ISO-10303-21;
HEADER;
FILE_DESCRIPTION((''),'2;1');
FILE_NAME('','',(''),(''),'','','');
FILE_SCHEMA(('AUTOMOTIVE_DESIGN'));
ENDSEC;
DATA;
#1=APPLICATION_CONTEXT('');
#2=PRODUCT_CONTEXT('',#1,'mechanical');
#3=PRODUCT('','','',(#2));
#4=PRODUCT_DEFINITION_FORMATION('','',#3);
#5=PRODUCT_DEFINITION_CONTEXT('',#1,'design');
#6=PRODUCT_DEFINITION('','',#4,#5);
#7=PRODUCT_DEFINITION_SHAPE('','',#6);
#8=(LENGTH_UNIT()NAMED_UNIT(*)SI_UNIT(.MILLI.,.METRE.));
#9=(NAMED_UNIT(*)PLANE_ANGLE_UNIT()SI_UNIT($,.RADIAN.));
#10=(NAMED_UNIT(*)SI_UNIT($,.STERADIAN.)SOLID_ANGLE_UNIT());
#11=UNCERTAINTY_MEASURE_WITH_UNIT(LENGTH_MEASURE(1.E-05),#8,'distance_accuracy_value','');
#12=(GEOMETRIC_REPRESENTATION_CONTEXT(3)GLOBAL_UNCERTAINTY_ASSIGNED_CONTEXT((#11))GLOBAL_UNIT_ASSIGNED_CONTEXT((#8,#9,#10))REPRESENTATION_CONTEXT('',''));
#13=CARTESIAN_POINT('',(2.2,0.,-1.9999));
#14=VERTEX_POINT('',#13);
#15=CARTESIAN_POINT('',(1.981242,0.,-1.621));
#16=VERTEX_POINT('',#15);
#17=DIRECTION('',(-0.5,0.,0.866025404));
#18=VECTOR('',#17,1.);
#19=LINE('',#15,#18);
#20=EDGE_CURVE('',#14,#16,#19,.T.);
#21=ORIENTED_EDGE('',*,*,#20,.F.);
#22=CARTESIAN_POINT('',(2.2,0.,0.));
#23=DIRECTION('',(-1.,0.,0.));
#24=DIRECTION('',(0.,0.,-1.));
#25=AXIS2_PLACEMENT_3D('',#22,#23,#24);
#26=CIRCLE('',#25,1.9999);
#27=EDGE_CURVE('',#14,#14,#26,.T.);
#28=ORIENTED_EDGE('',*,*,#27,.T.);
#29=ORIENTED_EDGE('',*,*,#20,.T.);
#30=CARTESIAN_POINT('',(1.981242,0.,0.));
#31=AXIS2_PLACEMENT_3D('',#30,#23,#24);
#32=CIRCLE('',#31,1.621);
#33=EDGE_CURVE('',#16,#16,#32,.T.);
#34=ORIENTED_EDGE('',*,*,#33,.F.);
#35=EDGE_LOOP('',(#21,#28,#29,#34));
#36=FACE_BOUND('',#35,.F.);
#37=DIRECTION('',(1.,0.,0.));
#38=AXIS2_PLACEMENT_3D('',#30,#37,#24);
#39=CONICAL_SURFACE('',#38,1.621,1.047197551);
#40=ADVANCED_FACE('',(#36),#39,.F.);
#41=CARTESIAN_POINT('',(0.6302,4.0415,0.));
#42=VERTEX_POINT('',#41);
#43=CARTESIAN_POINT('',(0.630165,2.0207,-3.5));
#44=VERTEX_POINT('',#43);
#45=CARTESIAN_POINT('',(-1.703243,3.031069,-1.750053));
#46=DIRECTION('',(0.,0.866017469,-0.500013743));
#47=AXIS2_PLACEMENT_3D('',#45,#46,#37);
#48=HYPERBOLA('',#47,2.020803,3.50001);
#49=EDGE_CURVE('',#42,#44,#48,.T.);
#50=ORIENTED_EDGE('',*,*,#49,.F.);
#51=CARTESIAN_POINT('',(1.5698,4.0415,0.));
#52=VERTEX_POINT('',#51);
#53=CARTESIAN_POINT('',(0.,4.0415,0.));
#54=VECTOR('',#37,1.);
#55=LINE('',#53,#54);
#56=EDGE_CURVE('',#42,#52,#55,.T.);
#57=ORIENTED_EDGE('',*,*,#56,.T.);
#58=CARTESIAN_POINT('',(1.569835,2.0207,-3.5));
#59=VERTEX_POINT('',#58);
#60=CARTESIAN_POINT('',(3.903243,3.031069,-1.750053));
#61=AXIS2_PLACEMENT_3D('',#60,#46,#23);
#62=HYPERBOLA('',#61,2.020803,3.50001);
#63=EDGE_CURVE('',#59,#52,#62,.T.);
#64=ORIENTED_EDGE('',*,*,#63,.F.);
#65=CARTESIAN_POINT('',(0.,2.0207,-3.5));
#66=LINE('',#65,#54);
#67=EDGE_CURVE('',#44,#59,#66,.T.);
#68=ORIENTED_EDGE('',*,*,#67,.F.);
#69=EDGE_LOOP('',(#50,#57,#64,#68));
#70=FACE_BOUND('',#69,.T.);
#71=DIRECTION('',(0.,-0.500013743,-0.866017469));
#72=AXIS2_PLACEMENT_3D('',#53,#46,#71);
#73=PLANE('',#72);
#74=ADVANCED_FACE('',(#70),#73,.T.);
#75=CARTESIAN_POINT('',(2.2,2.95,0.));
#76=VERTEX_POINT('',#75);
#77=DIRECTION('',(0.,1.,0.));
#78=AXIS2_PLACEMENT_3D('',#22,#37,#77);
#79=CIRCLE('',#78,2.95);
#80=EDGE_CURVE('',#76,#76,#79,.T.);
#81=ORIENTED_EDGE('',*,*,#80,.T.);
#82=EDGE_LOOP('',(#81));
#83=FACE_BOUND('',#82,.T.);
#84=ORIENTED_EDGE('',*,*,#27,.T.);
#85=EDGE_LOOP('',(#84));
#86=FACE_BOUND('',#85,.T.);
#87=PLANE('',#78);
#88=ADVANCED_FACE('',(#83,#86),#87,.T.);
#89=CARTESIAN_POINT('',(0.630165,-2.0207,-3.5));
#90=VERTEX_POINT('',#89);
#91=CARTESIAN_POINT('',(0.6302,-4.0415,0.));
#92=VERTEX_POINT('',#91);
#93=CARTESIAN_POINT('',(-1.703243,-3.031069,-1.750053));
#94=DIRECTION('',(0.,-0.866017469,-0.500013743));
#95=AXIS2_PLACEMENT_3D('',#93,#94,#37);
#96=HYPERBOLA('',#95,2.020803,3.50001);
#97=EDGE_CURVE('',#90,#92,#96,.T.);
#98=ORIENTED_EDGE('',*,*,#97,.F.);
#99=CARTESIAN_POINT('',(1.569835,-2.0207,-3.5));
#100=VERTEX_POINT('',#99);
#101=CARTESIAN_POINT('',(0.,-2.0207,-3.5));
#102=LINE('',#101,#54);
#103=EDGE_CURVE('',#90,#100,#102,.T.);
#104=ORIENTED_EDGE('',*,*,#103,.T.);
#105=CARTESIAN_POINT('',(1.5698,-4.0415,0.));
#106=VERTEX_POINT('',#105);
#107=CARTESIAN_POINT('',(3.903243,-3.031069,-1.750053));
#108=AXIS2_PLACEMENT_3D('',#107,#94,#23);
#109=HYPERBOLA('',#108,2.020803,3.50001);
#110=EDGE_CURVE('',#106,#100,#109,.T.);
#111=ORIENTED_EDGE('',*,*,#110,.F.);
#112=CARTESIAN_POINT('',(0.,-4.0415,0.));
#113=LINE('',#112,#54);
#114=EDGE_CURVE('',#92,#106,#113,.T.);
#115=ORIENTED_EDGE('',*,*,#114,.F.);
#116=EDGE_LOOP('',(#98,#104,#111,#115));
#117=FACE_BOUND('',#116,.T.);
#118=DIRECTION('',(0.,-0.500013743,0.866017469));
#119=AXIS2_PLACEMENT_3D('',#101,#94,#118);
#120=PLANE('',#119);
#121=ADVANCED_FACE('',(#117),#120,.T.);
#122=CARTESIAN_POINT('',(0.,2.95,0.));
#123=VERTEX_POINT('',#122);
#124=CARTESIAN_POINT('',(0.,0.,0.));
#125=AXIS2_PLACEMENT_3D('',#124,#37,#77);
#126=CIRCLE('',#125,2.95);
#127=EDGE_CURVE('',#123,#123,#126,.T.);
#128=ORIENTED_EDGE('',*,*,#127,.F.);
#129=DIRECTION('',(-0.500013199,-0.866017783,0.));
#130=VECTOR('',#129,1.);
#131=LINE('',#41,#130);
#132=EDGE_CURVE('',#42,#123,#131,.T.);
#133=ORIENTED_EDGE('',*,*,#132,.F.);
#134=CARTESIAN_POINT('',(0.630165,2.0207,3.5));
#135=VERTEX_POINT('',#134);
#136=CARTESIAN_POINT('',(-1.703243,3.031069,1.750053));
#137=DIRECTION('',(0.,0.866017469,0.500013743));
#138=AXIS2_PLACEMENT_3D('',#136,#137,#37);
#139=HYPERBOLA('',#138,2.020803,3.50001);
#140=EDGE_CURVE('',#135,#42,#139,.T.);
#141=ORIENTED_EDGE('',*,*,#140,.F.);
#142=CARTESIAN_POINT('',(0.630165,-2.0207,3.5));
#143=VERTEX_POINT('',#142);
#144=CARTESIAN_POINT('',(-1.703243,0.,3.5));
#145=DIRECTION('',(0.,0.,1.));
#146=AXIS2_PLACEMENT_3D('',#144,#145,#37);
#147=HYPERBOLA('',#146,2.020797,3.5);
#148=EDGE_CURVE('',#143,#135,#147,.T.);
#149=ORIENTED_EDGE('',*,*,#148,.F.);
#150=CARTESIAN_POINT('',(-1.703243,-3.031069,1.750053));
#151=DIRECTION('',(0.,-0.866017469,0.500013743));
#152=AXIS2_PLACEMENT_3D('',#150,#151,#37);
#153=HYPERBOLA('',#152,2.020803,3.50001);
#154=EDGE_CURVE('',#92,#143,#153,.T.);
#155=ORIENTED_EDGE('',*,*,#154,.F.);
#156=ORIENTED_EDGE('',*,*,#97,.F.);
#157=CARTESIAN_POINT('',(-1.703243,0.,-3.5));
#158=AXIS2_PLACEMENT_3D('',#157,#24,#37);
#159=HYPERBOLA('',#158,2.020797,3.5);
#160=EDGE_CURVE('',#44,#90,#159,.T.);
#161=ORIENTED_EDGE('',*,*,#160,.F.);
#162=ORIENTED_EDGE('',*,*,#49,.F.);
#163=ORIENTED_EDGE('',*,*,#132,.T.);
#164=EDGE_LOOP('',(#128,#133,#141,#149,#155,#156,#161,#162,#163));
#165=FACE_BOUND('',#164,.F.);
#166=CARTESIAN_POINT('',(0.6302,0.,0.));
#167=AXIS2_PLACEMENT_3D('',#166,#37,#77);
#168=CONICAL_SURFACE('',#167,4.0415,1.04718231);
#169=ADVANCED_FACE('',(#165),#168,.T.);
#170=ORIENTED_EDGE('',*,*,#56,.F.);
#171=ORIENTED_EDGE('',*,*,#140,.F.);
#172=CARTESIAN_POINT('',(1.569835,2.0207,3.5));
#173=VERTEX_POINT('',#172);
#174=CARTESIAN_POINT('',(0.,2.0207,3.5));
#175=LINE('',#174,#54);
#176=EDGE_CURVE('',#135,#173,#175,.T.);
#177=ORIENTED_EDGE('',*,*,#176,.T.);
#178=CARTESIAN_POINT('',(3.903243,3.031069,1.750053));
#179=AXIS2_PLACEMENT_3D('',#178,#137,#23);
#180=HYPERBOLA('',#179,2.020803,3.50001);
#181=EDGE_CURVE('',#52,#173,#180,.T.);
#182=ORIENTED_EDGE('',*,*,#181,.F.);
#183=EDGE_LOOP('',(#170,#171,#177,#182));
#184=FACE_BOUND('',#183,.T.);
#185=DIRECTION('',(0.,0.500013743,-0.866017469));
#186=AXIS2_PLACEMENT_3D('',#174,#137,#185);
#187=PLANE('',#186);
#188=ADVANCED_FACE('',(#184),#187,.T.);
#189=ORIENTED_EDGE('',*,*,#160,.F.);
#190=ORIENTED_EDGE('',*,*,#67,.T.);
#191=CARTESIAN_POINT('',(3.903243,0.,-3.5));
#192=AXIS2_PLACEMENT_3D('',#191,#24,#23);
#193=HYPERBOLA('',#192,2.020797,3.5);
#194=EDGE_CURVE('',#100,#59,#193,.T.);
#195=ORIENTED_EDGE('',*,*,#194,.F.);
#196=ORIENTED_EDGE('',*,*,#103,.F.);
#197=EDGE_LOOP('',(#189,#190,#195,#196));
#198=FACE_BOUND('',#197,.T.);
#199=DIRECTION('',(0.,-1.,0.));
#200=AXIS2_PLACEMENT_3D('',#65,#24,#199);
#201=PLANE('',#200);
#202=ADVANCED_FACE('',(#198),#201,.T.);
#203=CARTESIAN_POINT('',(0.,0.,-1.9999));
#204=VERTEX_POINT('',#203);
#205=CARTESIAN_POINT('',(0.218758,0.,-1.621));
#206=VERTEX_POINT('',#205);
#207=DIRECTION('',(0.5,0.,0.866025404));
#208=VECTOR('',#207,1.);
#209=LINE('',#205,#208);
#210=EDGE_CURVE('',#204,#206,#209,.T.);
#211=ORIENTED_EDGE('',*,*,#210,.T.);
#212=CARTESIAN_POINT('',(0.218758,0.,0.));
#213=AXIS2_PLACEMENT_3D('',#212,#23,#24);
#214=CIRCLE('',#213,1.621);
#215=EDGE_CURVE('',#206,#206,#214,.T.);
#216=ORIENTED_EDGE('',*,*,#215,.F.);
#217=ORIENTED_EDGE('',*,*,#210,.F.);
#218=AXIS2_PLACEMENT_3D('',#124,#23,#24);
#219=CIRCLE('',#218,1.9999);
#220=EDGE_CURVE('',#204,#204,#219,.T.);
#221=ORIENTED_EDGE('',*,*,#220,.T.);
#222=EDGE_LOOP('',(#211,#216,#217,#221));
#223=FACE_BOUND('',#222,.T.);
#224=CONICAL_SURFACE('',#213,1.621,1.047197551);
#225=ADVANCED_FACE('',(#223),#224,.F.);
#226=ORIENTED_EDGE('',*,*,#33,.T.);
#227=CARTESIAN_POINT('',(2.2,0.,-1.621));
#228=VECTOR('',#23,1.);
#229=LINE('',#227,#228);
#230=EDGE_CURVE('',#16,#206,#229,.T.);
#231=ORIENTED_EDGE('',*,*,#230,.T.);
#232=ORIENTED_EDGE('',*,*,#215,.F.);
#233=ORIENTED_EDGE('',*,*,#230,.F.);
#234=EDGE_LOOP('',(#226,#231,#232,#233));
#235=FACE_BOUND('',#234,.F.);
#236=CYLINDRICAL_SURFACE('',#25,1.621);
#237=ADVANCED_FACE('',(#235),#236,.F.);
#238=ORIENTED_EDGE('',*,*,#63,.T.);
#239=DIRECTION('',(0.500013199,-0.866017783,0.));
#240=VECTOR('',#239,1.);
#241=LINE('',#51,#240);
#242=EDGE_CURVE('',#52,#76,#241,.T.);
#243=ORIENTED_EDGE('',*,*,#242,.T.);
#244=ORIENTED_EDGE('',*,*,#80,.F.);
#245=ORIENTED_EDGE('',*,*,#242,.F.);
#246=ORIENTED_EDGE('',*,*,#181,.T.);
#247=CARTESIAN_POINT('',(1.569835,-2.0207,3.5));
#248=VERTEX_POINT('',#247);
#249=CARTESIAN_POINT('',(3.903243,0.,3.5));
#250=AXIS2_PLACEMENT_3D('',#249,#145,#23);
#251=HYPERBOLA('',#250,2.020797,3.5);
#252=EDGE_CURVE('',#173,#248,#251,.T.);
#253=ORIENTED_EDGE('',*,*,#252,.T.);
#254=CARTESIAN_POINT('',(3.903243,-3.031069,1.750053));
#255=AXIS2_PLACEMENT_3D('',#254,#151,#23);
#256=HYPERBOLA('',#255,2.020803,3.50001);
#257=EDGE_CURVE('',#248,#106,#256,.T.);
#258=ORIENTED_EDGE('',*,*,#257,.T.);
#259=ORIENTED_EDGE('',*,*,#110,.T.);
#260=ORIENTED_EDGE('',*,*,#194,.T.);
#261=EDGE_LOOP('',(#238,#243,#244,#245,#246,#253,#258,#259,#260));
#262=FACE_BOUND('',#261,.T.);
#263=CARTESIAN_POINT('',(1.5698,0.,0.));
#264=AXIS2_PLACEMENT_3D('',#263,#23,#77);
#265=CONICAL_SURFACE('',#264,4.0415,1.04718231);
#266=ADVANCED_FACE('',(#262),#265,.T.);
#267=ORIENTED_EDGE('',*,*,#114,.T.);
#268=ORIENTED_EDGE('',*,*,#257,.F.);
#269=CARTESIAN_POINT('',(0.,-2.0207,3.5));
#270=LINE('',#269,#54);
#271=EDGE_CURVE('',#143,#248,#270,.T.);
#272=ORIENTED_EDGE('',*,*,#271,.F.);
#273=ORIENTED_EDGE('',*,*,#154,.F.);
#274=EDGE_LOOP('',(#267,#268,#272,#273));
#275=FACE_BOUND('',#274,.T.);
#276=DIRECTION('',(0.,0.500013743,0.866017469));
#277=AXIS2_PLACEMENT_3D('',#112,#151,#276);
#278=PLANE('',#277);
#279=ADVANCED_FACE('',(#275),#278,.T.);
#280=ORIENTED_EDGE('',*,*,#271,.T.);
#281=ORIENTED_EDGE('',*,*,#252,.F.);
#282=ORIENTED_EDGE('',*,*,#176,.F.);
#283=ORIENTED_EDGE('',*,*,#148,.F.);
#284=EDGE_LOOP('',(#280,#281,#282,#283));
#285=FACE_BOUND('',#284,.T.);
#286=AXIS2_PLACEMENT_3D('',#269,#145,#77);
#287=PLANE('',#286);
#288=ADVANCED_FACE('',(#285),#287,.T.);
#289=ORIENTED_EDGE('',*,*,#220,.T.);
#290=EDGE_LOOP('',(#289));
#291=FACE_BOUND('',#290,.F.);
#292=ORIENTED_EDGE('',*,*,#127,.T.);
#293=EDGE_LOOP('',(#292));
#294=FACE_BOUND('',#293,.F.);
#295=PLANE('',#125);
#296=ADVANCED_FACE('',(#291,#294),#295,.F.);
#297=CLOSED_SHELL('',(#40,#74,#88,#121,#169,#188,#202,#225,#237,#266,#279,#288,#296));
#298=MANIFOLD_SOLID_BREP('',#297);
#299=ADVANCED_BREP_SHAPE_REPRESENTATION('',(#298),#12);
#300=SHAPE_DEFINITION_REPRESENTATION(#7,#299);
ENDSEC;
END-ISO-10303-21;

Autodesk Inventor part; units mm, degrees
ref_plane "YZ Plane" through (0, 0, 0) normal (1, 0, 0) x (0, 1, 0)
ref_plane "XZ Plane" through (0, 0, 0) normal (0, 1, 0) x (-1, 0, 0)
sketch "Sketch1" plane through (0, 0, 0) normal (1, 0, 0) x (0, 1, 0)
  line L0 (-4.0415, 0) -> (-2.0207, 3.5)
  line L1 (-2.0207, 3.5) -> (2.0207, 3.5)
  line L2 (2.0207, 3.5) -> (4.0415, 0)
  line L3 (4.0415, 0) -> (2.0207, -3.5)
  line L4 (2.0207, -3.5) -> (-2.0207, -3.5)
  line L5 (-2.0207, -3.5) -> (-4.0415, 0)
  point P0 (0, 0)
  point P1 (0, 0)
  dimension "d0" = 8.0829
extrude "Body" add sketch "Sketch1" along normal blind 2.2
sketch "Sketch2" plane through (0, 0, 0) normal (0, 0, 1) x (1, 0, 0)
  line L0 (0, 2.0207) -> (0, 4.0415) projected
  line L1 (0, 4.0415) -> (2.2, 4.0415) projected
  line L2 (2.2, 2.0207) -> (2.2, 4.0415) projected
  line L3 (-0.44, 0) -> (2.64, 0) projected
  line L4 (0.6302, 4.0415) -> (0, 2.95)
  line L5 (1.5698, 4.0415) -> (2.2, 2.95)
  dimension "d3" = 30
  dimension "d4" = 30
  dimension "d5" = 5.9
  dimension "d6" = 5.9
revolve "Chamfer1" cut sketch "Sketch2" angle 360 about axis through (-10, 0, 0) along (1, 0, 0)
sketch "Sketch3" plane through (2.2, 0, 0) normal (1, 0, 0) x (0, 0, -1)
  arc A0 (-0.625, -1.0825) -> (0.625, -1.0825) centre (0, 0) ccw projected
hole "Thread" at (2.2, 0, 0) direction (-1, 0, 0) diameter 3.242 end through all thread size "M4x0.7" class "6H" standard "ISO Metric profile"
chamfer "Chamfer2" distance 0.3789 angle 30 1 edges at (2.2, 0, 1.621) measured on face at (2.2, 2.4745, -0.3005)
chamfer "Chamfer3" distance 0.3789 angle 30 1 edges at (0, 0, 1.621) measured on face at (0, 2.4745, -0.3005)
ref_plane "Work Plane1" through (-8.7167, 0, 0) normal (0, -0.866, -0.5) x (1, 0, 0)
equation "\"d0\" = 1.1547 * SW"
equation "\"d1\" = KOH"
equation "\"d3\" = ANG1"
equation "\"d4\" = ANG2"
equation "\"d5\" = SW0"
equation "\"d6\" = SW01"
equation "\"d8\" = -0.5 * GD1 + 0.5 * NND"
equation "\"d40\" = -0.5 * GD1 + 0.5 * NND"
equation "\"d10\" = -0.5 * GD1 + 0.5 * NND"
equation "\"d41\" = -0.5 * GD1 + 0.5 * NND"
equation "\"ANG1\" = 30deg"
equation "\"ANG2\" = 30deg"
equation "\"NND\" = 4"
equation "\"KOH\" = 2.2"
equation "\"SW\" = 7"
equation "\"SW0\" = 5.9"
equation "\"SW01\" = SW0"
equation "\"GUL\" = 0.541266 * PTC"
equation "\"THREADDIA\" = 4"
equation "\"TOA\" = 30deg"
equation "\"PTC\" = 0.7"
equation "\"E0\" = 1.155 * SW"
equation "\"GAL\" = 0.541266 * PTC"
equation "\"GD1\" = 3.242228"
properties part number "ISO 4035 - M4" material "Stainless Steel, 440C"
